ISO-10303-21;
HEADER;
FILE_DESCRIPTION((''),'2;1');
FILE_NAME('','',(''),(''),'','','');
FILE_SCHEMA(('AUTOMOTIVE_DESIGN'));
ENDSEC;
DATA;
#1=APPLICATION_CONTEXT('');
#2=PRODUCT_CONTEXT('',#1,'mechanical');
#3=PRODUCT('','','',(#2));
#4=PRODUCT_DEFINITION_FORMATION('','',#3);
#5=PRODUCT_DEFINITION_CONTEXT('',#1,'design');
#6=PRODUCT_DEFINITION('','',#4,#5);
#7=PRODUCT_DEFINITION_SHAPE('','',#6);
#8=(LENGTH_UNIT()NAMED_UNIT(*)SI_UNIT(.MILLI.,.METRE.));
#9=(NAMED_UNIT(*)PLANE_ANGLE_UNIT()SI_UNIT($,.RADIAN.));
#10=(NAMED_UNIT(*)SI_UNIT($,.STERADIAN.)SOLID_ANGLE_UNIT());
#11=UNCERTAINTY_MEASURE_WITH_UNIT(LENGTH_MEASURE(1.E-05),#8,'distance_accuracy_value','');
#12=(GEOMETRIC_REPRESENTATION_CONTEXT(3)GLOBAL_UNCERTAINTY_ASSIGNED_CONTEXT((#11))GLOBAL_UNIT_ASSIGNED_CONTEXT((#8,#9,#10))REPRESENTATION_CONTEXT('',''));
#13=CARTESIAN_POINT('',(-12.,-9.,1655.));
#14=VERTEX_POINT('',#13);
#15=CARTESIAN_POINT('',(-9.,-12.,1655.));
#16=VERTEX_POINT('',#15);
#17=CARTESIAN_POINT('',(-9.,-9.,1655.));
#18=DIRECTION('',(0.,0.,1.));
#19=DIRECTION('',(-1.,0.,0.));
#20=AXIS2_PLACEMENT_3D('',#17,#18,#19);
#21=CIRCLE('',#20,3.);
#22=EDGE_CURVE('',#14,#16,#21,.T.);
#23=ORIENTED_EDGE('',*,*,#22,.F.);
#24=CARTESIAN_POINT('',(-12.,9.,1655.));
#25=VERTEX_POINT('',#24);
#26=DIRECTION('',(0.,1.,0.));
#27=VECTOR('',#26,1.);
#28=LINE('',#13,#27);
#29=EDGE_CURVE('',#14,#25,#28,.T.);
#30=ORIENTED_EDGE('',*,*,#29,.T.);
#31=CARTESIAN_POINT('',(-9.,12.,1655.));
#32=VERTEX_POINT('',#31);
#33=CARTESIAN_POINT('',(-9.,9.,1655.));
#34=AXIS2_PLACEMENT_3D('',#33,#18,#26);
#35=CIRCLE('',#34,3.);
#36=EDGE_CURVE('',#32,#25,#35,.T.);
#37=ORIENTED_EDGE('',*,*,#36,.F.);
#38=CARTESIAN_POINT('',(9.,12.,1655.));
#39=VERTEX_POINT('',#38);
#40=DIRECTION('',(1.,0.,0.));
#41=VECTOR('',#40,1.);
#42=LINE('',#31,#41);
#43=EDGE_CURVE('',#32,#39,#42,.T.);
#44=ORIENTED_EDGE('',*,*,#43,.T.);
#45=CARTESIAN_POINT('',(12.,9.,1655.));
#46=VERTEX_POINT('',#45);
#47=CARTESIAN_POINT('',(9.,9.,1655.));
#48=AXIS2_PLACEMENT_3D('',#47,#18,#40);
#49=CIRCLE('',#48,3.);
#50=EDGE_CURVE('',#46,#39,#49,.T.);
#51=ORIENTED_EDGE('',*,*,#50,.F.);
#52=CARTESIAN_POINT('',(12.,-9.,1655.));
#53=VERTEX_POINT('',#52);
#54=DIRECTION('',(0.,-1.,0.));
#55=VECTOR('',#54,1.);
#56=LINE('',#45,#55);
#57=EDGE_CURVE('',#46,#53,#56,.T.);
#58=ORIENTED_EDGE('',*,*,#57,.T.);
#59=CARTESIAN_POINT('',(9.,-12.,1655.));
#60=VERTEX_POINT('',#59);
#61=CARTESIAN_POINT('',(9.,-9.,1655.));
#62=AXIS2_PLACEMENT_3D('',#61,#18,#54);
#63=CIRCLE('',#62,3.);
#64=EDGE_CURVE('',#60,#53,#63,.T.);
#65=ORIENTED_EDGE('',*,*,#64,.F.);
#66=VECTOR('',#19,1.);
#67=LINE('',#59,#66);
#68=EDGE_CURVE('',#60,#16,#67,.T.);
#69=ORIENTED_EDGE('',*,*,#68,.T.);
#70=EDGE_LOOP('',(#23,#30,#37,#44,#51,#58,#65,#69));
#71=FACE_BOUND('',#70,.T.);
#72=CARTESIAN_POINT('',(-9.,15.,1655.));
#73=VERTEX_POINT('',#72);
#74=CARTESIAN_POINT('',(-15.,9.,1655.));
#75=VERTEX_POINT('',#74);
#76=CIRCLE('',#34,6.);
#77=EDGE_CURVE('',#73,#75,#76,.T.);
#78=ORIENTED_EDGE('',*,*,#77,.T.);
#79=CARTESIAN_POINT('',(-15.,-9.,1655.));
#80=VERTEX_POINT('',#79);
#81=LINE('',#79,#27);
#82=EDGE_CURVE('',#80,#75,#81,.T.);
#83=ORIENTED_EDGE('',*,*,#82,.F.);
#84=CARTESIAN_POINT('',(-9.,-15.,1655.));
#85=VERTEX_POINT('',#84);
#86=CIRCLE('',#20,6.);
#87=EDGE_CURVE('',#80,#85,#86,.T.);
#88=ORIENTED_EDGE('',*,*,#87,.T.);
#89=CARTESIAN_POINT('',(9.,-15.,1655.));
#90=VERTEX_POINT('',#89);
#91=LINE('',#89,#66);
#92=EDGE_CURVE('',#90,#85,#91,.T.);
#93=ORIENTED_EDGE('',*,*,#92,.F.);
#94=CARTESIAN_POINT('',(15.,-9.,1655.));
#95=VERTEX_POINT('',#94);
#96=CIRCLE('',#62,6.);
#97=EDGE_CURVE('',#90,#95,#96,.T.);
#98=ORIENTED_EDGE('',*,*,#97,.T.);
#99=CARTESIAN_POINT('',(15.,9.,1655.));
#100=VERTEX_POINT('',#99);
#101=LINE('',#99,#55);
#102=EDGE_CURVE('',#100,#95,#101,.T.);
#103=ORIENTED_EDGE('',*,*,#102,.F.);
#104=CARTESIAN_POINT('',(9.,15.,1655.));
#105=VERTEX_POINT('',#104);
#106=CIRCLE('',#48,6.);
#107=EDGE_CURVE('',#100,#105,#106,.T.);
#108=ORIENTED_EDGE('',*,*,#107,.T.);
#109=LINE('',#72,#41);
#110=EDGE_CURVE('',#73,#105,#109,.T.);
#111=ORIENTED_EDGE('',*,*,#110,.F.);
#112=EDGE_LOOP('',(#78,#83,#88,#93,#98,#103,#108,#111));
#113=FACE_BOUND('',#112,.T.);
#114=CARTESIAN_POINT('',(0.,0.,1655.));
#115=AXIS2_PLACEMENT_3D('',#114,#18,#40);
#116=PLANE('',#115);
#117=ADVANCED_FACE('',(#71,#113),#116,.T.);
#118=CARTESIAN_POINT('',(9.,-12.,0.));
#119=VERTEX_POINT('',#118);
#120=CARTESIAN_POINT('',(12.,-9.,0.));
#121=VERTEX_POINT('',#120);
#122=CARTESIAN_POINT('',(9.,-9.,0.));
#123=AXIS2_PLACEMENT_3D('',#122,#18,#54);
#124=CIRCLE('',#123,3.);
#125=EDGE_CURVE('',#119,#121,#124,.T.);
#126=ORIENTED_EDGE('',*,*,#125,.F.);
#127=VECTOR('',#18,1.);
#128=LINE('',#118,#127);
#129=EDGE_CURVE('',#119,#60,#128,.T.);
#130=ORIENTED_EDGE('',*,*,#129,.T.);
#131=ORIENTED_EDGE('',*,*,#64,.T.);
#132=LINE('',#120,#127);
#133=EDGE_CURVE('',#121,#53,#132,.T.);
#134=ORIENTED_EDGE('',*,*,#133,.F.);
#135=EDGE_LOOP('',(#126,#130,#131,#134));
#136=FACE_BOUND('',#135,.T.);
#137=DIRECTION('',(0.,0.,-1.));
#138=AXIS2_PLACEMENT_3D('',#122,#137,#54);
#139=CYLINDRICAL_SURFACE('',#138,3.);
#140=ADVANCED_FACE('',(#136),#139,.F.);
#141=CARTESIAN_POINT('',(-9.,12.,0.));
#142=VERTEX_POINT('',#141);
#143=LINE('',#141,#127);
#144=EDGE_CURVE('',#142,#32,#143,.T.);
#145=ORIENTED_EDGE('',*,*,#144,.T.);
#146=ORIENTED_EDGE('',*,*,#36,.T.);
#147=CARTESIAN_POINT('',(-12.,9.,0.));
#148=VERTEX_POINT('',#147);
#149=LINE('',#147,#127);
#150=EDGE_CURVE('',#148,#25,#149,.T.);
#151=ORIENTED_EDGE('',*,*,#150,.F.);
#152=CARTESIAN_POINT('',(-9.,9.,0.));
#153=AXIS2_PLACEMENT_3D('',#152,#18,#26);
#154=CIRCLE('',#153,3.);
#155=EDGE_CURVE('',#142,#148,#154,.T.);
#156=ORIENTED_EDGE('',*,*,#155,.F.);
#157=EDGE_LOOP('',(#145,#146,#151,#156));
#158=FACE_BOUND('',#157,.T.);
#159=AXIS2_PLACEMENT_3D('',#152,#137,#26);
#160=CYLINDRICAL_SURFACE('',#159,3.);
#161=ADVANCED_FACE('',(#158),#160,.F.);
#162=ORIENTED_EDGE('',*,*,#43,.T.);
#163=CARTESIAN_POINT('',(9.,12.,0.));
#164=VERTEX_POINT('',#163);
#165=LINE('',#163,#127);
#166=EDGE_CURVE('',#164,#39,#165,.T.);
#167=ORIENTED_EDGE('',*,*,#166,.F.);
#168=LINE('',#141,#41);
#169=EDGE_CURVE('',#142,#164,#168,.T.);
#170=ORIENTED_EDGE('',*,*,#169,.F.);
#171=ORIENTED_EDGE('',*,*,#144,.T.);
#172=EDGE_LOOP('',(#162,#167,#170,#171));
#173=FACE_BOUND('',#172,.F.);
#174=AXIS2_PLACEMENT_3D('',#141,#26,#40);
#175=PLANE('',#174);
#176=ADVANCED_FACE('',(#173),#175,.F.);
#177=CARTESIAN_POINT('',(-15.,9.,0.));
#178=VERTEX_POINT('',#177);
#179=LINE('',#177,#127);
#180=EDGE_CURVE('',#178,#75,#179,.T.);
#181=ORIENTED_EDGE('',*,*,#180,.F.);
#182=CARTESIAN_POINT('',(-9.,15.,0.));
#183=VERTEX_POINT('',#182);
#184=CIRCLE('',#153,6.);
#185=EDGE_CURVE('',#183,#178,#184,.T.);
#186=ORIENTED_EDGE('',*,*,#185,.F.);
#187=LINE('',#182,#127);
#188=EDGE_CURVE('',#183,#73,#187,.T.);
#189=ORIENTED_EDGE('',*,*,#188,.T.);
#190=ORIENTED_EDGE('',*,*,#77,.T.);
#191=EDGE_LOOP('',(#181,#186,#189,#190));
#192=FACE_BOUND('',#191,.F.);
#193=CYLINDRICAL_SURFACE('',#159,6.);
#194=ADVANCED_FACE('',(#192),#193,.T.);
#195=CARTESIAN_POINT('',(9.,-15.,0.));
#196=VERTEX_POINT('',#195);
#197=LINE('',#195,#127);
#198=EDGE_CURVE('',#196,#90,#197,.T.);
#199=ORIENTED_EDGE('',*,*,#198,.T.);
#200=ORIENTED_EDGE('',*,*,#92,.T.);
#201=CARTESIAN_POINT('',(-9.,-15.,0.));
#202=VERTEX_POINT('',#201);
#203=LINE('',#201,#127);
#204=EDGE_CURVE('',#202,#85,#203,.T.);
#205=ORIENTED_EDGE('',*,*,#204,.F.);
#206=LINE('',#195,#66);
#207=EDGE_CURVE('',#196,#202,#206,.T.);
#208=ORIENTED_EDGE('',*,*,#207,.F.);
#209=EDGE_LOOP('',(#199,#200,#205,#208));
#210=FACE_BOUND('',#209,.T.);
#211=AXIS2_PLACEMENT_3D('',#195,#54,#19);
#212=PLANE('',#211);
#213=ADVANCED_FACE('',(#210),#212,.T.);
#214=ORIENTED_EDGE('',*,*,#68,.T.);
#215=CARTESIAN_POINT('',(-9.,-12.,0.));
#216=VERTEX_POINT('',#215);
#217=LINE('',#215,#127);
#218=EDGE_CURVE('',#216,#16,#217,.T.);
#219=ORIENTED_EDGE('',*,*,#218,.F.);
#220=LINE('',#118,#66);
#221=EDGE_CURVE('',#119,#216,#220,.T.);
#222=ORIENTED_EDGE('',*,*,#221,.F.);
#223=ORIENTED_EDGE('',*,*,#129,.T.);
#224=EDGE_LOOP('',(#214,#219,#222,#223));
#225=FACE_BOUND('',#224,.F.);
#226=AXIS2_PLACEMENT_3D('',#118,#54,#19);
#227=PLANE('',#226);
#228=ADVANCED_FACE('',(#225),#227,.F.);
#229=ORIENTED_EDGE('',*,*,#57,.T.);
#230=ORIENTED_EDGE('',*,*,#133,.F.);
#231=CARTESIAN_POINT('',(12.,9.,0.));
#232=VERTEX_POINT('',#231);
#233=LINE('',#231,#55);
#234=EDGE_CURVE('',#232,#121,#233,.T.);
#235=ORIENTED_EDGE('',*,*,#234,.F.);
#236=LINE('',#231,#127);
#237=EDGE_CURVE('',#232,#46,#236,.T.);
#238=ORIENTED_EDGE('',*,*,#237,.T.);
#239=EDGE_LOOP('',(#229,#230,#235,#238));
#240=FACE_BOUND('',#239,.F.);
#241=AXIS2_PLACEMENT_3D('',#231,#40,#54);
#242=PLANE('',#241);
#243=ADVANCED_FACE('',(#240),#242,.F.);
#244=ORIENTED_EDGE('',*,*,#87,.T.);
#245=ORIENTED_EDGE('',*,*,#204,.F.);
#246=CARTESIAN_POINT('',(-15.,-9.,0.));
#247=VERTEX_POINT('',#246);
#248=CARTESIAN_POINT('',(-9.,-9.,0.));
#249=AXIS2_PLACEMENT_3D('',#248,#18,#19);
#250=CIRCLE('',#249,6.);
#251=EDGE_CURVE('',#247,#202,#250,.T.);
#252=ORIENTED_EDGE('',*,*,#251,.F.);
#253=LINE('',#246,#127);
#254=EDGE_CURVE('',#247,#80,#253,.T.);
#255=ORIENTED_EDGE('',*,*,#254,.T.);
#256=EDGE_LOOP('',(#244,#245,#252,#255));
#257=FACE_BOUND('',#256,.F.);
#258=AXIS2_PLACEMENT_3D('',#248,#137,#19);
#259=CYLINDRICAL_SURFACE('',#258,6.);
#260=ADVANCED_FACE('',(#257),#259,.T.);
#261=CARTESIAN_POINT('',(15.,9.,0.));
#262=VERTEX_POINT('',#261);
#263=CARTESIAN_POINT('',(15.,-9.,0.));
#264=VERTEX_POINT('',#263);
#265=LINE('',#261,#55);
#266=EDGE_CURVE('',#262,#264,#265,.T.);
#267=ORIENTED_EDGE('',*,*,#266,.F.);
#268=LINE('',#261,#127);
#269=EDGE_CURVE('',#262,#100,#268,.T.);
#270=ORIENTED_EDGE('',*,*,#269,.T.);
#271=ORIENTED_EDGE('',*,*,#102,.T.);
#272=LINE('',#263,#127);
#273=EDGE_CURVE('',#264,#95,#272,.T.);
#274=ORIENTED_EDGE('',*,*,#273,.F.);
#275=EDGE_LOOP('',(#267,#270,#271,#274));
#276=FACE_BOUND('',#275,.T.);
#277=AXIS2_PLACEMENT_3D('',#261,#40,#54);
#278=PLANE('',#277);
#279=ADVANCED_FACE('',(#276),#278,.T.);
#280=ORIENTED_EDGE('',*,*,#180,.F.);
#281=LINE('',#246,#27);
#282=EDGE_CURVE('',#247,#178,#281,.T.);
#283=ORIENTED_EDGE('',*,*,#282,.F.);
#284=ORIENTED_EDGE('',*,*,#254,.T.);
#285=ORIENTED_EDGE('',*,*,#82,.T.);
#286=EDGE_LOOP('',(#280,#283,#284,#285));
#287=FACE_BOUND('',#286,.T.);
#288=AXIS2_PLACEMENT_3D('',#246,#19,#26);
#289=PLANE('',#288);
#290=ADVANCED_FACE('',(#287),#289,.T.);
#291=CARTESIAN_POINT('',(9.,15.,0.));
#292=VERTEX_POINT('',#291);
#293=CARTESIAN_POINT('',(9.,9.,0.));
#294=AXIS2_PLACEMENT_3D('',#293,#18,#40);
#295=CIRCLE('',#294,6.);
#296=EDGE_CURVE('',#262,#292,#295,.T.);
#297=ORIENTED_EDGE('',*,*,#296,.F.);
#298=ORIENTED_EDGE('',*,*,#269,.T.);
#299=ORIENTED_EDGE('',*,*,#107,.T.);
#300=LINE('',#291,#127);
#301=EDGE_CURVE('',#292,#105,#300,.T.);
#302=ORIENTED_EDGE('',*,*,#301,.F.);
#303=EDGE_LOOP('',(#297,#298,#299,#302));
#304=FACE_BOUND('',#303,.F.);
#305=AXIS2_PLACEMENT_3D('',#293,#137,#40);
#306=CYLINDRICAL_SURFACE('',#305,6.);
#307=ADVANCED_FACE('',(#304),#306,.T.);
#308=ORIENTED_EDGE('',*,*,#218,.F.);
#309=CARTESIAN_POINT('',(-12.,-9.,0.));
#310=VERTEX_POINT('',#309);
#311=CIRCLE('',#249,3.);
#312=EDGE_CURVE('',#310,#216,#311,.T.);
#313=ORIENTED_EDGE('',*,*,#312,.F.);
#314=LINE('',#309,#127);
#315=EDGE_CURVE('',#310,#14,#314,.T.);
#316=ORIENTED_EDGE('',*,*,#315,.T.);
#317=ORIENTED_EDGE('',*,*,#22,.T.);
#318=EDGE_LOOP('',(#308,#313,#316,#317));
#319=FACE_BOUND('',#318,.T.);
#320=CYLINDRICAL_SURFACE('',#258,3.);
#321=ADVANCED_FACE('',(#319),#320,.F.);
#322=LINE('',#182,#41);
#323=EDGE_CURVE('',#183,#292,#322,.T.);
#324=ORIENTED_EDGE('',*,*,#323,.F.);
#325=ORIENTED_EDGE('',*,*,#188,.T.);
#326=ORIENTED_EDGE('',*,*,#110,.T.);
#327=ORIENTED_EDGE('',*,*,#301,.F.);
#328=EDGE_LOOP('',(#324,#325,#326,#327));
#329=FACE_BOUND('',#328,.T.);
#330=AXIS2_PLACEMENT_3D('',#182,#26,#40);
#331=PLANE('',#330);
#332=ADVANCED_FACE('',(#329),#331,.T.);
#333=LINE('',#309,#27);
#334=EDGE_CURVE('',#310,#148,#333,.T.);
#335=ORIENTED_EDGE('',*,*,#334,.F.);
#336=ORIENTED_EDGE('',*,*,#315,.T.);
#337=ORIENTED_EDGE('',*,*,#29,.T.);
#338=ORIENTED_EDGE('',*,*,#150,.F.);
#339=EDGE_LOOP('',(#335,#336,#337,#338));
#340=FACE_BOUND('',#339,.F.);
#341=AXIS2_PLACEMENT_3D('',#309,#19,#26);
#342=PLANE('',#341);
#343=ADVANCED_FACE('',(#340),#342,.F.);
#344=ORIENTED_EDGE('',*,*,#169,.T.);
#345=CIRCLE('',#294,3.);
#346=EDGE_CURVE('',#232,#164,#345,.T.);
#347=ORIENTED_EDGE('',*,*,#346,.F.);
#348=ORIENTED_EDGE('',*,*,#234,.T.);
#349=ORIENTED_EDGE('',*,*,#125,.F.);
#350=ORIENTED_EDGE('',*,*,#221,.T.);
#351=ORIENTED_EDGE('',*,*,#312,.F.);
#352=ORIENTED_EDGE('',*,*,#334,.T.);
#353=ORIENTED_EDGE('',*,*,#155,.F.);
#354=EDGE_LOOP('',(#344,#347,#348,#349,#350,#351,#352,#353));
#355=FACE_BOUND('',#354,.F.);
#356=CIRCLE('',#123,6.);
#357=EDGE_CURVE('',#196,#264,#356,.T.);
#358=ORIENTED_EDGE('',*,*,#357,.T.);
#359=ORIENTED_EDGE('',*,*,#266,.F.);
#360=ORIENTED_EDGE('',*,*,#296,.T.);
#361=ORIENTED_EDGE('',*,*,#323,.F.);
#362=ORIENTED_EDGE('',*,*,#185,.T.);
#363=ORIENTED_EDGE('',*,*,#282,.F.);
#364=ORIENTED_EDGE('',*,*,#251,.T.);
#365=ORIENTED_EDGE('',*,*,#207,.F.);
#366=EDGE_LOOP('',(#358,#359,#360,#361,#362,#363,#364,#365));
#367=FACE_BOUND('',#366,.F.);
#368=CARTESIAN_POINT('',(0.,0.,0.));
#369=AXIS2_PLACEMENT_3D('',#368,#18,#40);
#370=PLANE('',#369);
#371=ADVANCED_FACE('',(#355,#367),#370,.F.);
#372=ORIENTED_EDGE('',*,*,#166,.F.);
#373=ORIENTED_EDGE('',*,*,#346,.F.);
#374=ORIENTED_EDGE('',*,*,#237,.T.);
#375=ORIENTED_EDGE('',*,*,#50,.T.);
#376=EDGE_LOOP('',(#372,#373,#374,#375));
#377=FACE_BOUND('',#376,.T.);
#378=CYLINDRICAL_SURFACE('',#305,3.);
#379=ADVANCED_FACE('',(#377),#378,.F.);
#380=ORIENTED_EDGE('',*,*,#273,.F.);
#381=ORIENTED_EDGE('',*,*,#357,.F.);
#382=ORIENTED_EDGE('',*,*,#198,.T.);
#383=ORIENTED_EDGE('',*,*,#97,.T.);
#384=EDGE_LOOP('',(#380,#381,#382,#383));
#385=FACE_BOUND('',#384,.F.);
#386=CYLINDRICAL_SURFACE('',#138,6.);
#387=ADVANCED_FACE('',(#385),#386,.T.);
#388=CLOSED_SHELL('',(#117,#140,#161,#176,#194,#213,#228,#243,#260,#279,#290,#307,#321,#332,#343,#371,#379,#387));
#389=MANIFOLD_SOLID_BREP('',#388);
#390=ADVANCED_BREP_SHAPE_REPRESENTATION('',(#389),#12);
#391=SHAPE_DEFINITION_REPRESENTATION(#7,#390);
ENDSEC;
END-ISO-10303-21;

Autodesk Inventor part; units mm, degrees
ref_plane "YZ Plane" through (0, 0, 0) normal (1, 0, 0) x (0, 1, 0)
ref_plane "Start plane" through (0, 0, 0) normal (0, 0, 1) x (1, 0, 0)
ref_plane "End plane" through (0, 0, 1655) normal (0, 0, 1) x (1, 0, 0)
sketch "Sketch" plane through (0, 0, 0) normal (0, 0, 1) x (1, 0, 0)
  line L0 (-15, -9) -> (-15, 9)
  line L1 (-9, 15) -> (9, 15)
  line L2 (15, 9) -> (15, -9)
  line L3 (9, -15) -> (-9, -15)
  arc A0 (-15, -9) -> (-9, -15) centre (-9, -9) ccw
  arc A1 (15, 9) -> (9, 15) centre (9, 9) ccw
  arc A2 (-9, 15) -> (-15, 9) centre (-9, 9) ccw
  arc A3 (9, -15) -> (15, -9) centre (9, -9) ccw
  arc A4 (-9, 12) -> (-12, 9) centre (-9, 9) ccw
  line L4 (-9, 12) -> (9, 12)
  arc A5 (12, 9) -> (9, 12) centre (9, 9) ccw
  line L5 (12, 9) -> (12, -9)
  arc A6 (9, -12) -> (12, -9) centre (9, -9) ccw
  line L6 (9, -12) -> (-9, -12)
  arc A7 (-12, -9) -> (-9, -12) centre (-9, -9) ccw
  line L7 (-12, -9) -> (-12, 9)
  line L8 (0, 37.1021) -> (0, -37.1021) construction
  line L9 (-23.1021, 0) -> (23.1021, 0) construction
  dimension "d7" = 6
  dimension "d9" = 30
  dimension "d11" = 30
  dimension "d12" = 3
  dimension "d15" = 15
  dimension "d16" = 15
extrude "Body" add sketch "Sketch" along normal up to surface (1655 mm away) from surface at 0
sketch "Sketch3" plane through (0, 0, 0) normal (0, 0, 1) x (1, 0, 0)
  line L0 (0, 0) -> (10, 0)
ref_plane "Work Plane3" through (0, 0, 0) normal (0, -1, 0) x (1, 0, 0)
sketch "Sketch4" plane through (0, 0, 0) normal (0, -1, 0) x (1, 0, 0)
  line L0 (-2, 0) -> (12, 0) projected
  line L1 (-2, 1655) -> (12, 1655) projected
  dimension "d18" = 1655
equation "\"d7\" = G_IR"
equation "\"d9\" = G_W"
equation "\"d11\" = G_H"
equation "\"d12\" = G_T"
equation "\"d15\" = 0.5 * d9"
equation "\"d16\" = 0.5 * d11"
equation "\"d3\" = G_L"
equation "\"G_W\" = 30"
equation "\"G_H\" = 30"
equation "\"G_T\" = 3"
equation "\"G_IR\" = 6"
equation "\"G_L\" = d18"
equation "\"G_OFFSET_START\" = 0"
equation "\"G_OFFSET_END\" = 0"
equation "\"d14\" = G_OFFSET_END + B_L"
equation "\"B_L\" = 1655"
properties part number "ISO 10799-2 - 30x30x3 - 1655" material "Steel, Mild"
